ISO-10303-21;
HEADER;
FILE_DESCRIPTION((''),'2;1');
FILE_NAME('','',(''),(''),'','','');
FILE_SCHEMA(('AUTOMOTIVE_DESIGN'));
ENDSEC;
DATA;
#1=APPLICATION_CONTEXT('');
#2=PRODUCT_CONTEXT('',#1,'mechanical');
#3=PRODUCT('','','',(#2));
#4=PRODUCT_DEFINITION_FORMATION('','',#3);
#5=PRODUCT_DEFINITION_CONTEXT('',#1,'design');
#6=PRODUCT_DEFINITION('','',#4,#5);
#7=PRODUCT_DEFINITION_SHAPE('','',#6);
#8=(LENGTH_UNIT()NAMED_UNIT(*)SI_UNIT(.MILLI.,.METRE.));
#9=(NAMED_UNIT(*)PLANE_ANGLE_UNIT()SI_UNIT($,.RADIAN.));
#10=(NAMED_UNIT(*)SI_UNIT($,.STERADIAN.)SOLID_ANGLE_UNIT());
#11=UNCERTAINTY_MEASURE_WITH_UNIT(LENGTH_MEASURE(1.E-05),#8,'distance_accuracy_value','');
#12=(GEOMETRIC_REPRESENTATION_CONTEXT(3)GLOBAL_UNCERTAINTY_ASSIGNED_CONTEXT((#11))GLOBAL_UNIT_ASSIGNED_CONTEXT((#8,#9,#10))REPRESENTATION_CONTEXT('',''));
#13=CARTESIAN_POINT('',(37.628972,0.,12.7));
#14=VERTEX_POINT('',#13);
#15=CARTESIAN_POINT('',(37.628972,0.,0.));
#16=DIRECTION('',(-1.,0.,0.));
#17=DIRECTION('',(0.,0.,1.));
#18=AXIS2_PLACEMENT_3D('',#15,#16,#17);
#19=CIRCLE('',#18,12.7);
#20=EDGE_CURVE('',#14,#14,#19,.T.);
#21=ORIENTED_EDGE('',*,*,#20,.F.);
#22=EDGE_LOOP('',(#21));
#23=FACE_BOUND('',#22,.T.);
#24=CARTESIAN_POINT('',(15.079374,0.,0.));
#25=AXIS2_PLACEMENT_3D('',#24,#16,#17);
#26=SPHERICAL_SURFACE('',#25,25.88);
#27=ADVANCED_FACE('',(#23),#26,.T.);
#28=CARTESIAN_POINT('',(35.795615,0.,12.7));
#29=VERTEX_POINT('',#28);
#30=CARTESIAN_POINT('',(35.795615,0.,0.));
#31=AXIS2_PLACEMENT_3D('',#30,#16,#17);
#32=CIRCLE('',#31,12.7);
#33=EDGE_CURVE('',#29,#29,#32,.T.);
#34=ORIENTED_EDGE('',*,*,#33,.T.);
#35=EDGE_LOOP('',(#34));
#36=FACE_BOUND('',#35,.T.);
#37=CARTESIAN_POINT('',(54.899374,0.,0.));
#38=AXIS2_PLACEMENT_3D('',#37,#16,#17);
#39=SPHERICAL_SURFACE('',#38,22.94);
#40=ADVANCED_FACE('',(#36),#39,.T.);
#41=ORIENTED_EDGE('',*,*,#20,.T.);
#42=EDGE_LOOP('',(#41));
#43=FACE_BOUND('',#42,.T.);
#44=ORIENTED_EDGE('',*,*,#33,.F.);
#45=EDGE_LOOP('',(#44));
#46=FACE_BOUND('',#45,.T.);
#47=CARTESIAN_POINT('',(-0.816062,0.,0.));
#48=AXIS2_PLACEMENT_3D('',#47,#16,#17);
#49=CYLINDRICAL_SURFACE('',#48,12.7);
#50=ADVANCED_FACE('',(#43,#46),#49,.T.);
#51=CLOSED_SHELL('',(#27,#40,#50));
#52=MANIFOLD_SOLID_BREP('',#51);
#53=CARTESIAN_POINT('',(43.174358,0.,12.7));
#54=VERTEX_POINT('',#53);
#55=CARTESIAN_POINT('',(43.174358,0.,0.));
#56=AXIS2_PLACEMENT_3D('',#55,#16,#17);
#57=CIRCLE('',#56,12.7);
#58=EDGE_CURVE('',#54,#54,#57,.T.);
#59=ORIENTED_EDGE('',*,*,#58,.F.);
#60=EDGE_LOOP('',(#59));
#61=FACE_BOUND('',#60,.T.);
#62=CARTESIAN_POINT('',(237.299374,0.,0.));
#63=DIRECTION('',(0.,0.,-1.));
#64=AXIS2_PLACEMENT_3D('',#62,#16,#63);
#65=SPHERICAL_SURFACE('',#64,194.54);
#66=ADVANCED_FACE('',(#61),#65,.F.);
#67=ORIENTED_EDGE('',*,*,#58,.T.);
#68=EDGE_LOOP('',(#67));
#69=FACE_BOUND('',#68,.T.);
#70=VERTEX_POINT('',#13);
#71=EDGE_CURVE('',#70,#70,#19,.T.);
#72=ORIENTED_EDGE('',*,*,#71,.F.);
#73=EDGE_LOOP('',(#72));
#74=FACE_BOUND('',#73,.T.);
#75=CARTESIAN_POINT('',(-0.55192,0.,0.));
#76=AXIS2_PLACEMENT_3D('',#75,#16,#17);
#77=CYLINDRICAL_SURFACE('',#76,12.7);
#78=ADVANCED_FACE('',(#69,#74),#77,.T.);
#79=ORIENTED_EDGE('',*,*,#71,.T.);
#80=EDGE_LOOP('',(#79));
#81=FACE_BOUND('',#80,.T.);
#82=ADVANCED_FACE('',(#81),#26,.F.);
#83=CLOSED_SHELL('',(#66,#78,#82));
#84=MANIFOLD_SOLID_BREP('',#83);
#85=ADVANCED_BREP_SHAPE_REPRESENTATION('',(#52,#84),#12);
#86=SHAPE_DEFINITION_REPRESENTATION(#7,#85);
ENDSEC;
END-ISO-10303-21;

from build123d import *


with BuildPart() as part:
    # 草图1 one side → 旋转1 (revolve)
    with BuildSketch(Plane(origin=(0, 0, 0), x_dir=(1, 0, 0), z_dir=(0, 1, 0)), mode=Mode.PRIVATE) as revolve_1_sk:
        with BuildLine():
            ThreePointArc((35.795615005, 12.7), (32.939366663, 6.633376716), (31.959373797, 0))
            Line((31.959373797, 0), (40.959373797, 0))
            ThreePointArc((40.959373797, 0), (40.11293141, 6.564708163), (37.628972463, 12.7))
            Line((37.628972463, 12.7), (35.795615005, 12.7))
        make_face()
    revolve(revolve_1_sk.sketch.rotate(Axis((-0.816062176, 0, 0), (1, 0, 0)), 180), axis=Axis((-0.816062176, 0, 0), (1, 0, 0)))  # turned: the seam where the file's is


with BuildPart() as body_2:
    # 草图2 one side → 旋转2 (revolve)
    with BuildSketch(Plane(origin=(0, 0, 0), x_dir=(1, 0, 0), z_dir=(0, 1, 0)), mode=Mode.PRIVATE) as revolve_2_sk:
        with BuildLine():
            Line((43.174358408, 12.7), (37.628972463, 12.7))
            ThreePointArc((37.628972463, 12.7), (40.11293141, 6.564708163), (40.959373797, 0))
            Line((40.959373797, 0), (42.759373797, 0))
            ThreePointArc((42.759373797, 0), (42.863147628, 6.3533891), (43.174358408, 12.7))
        make_face()
    revolve(revolve_2_sk.sketch.rotate(Axis((-0.551919993, 0, 0), (1, 0, 0)), 180), axis=Axis((-0.551919993, 0, 0), (1, 0, 0)))  # turned: the seam where the file's is


solid = Compound([part.part, body_2.part])
